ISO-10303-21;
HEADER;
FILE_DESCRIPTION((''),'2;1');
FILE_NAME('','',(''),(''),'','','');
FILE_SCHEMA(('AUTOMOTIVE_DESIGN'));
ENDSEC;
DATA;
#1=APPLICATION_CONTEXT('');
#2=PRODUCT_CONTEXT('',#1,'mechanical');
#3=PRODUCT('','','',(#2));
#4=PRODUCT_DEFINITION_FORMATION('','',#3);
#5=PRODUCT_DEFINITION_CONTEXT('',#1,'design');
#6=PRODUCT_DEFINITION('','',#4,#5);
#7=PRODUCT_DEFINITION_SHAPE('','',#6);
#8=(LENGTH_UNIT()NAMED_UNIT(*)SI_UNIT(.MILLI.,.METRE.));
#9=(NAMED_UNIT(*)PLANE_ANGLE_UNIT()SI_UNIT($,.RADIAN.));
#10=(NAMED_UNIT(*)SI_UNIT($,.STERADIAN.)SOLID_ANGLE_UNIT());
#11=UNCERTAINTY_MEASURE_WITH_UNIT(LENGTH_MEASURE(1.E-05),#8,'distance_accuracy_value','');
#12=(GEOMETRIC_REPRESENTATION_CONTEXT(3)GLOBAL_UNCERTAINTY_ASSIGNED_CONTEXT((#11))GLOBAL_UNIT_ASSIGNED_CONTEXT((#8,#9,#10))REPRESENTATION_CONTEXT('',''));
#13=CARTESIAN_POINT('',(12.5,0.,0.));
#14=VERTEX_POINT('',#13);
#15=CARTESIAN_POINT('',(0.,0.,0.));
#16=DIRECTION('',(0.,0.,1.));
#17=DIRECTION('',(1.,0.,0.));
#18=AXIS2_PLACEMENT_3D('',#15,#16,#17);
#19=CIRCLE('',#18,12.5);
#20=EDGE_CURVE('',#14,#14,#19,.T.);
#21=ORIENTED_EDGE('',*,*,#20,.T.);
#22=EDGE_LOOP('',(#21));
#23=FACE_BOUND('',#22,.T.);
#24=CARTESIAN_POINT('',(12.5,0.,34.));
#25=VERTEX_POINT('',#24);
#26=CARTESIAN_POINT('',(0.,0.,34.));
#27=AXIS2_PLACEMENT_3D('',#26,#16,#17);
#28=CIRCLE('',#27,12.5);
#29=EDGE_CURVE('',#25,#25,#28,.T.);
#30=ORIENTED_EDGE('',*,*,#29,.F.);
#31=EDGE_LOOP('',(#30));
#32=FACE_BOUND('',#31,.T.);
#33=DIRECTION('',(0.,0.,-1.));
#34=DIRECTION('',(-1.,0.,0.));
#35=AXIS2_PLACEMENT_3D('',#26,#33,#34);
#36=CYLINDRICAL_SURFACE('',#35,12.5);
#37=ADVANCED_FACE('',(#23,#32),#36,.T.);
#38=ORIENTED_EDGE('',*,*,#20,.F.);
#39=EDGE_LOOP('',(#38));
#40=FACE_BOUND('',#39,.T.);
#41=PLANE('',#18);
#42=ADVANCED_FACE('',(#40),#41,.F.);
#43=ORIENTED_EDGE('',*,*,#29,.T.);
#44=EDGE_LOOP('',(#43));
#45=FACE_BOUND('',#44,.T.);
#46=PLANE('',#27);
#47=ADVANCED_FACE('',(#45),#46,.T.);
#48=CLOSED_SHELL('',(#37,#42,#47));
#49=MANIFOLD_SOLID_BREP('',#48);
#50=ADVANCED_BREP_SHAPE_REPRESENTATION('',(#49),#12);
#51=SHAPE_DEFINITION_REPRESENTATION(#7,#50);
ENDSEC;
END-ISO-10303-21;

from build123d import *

# Parameters (mm, degrees)
SKETCH1_R  = 12.5
BASE_DEPTH = 34


with BuildPart() as part:
    # Sketch1 → base (new body)
    with BuildSketch(Plane.XY):
        Circle(SKETCH1_R)
    extrude(amount=BASE_DEPTH)


solid = part.part
